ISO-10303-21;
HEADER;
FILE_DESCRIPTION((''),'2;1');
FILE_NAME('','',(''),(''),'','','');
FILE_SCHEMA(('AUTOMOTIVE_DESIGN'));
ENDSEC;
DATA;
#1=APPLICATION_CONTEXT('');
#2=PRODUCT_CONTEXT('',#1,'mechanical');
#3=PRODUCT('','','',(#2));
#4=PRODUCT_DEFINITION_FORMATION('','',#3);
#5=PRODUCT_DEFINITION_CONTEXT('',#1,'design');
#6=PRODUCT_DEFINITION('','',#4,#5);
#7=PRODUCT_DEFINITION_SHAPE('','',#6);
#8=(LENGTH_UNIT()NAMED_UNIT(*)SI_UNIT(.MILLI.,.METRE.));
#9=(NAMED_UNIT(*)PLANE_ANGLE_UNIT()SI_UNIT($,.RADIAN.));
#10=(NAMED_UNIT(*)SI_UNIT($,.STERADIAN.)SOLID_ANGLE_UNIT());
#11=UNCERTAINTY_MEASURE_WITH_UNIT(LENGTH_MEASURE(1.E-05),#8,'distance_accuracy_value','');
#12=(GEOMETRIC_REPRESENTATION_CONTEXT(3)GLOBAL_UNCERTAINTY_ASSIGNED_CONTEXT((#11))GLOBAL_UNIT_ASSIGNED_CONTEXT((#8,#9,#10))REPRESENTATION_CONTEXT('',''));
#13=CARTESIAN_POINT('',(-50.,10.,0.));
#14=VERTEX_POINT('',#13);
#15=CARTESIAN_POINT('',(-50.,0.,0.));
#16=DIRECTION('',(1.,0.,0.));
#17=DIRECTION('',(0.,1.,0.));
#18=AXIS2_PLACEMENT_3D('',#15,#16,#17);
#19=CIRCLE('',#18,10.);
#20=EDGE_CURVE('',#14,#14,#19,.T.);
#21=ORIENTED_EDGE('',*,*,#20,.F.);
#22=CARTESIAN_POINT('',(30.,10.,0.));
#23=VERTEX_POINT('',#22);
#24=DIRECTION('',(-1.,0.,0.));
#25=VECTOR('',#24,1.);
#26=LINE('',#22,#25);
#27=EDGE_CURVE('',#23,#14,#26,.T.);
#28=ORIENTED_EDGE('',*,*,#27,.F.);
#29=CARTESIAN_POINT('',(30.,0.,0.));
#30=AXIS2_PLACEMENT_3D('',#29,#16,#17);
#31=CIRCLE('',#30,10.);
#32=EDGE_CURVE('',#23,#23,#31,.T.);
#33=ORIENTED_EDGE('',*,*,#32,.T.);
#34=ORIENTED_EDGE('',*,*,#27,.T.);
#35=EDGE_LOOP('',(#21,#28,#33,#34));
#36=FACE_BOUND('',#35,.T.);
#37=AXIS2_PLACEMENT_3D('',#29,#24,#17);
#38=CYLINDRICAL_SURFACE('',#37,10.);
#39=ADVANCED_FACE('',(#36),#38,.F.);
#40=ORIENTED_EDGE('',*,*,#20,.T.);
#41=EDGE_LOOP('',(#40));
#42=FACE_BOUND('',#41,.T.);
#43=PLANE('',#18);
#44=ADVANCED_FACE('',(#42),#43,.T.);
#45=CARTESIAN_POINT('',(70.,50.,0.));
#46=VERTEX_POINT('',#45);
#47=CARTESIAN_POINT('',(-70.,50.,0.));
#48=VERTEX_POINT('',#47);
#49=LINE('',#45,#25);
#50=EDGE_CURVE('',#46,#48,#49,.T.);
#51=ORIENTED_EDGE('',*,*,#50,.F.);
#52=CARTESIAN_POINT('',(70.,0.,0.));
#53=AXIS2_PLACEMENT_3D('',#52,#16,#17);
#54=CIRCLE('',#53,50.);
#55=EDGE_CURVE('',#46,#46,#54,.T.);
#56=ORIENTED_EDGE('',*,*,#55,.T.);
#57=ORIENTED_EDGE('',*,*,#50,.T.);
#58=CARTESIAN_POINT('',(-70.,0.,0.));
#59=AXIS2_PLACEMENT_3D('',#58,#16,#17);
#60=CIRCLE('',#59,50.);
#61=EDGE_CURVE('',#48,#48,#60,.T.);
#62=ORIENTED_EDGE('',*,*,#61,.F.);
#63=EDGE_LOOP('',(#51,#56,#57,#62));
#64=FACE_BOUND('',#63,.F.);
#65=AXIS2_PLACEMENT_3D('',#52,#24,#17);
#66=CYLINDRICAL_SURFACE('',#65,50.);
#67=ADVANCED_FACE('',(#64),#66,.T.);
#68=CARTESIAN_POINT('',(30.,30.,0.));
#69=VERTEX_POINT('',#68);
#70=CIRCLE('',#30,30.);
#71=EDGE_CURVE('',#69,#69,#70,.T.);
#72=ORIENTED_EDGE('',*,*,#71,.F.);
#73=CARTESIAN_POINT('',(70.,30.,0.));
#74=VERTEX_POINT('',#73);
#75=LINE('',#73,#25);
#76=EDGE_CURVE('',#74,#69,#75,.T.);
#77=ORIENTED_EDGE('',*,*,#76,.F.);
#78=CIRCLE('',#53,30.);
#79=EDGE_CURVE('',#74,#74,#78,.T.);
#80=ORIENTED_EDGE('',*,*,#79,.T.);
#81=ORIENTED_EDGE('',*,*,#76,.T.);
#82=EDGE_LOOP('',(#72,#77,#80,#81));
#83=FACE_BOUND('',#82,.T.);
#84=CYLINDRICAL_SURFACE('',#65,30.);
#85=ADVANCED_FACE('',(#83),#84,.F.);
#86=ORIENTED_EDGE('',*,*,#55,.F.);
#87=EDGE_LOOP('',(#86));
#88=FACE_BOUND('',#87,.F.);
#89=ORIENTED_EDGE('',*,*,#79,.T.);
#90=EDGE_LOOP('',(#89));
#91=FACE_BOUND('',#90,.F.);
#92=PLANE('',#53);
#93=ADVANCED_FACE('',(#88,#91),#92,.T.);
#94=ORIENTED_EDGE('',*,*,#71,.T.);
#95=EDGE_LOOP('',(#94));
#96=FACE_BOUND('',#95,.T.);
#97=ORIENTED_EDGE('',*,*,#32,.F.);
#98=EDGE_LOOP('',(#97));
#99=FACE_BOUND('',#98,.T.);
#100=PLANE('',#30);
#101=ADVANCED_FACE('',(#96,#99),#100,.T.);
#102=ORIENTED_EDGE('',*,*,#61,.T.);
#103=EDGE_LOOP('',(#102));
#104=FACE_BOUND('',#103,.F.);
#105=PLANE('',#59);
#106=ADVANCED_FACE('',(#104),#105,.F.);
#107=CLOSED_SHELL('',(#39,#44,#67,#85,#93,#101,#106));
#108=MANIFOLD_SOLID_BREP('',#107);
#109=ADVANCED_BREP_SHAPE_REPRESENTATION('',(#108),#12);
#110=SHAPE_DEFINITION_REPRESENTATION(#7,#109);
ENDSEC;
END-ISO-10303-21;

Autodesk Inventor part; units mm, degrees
ref_plane "YZ Plane" through (0, 0, 0) normal (1, 0, 0) x (0, 1, 0)
ref_plane "XZ Plane" through (0, 0, 0) normal (0, 1, 0) x (-1, 0, 0)
ref_plane "XY Plane" through (0, 0, 0) normal (0, 0, 1) x (1, 0, 0)
sketch "草圖1" plane through (0, 0, 0) normal (0, 0, 1) x (1, 0, 0)
  line L0 (-70, 0) -> (70, 0)
  line L1 (70, 0) -> (70, 50)
  line L2 (70, 50) -> (-70, 50)
  line L3 (-70, 50) -> (-70, 0)
  line L4 (-50, 0) -> (30, 0)
  line L5 (30, 0) -> (30, 10)
  line L6 (30, 10) -> (-50, 10)
  line L7 (-50, 10) -> (-50, 0)
  line L8 (30, 0) -> (70, 0)
  line L9 (70, 0) -> (70, 30)
  line L10 (70, 30) -> (30, 30)
  line L11 (30, 30) -> (30, 0)
  point P0 (0, 0)
  point P1 (0, 50)
  dimension "d0" = 140
  dimension "d1" = 50
  dimension "d2" = 40
  dimension "d3" = 120
  dimension "d4" = 30
  dimension "d5" = 10
revolve "迴轉1" add sketch "草圖1" angle 360 about axis through (-50, 0, 0) along (1, 0, 0) contours L3 L2 L1 L10 L11 L6 L7 L0
properties part number "P2"
